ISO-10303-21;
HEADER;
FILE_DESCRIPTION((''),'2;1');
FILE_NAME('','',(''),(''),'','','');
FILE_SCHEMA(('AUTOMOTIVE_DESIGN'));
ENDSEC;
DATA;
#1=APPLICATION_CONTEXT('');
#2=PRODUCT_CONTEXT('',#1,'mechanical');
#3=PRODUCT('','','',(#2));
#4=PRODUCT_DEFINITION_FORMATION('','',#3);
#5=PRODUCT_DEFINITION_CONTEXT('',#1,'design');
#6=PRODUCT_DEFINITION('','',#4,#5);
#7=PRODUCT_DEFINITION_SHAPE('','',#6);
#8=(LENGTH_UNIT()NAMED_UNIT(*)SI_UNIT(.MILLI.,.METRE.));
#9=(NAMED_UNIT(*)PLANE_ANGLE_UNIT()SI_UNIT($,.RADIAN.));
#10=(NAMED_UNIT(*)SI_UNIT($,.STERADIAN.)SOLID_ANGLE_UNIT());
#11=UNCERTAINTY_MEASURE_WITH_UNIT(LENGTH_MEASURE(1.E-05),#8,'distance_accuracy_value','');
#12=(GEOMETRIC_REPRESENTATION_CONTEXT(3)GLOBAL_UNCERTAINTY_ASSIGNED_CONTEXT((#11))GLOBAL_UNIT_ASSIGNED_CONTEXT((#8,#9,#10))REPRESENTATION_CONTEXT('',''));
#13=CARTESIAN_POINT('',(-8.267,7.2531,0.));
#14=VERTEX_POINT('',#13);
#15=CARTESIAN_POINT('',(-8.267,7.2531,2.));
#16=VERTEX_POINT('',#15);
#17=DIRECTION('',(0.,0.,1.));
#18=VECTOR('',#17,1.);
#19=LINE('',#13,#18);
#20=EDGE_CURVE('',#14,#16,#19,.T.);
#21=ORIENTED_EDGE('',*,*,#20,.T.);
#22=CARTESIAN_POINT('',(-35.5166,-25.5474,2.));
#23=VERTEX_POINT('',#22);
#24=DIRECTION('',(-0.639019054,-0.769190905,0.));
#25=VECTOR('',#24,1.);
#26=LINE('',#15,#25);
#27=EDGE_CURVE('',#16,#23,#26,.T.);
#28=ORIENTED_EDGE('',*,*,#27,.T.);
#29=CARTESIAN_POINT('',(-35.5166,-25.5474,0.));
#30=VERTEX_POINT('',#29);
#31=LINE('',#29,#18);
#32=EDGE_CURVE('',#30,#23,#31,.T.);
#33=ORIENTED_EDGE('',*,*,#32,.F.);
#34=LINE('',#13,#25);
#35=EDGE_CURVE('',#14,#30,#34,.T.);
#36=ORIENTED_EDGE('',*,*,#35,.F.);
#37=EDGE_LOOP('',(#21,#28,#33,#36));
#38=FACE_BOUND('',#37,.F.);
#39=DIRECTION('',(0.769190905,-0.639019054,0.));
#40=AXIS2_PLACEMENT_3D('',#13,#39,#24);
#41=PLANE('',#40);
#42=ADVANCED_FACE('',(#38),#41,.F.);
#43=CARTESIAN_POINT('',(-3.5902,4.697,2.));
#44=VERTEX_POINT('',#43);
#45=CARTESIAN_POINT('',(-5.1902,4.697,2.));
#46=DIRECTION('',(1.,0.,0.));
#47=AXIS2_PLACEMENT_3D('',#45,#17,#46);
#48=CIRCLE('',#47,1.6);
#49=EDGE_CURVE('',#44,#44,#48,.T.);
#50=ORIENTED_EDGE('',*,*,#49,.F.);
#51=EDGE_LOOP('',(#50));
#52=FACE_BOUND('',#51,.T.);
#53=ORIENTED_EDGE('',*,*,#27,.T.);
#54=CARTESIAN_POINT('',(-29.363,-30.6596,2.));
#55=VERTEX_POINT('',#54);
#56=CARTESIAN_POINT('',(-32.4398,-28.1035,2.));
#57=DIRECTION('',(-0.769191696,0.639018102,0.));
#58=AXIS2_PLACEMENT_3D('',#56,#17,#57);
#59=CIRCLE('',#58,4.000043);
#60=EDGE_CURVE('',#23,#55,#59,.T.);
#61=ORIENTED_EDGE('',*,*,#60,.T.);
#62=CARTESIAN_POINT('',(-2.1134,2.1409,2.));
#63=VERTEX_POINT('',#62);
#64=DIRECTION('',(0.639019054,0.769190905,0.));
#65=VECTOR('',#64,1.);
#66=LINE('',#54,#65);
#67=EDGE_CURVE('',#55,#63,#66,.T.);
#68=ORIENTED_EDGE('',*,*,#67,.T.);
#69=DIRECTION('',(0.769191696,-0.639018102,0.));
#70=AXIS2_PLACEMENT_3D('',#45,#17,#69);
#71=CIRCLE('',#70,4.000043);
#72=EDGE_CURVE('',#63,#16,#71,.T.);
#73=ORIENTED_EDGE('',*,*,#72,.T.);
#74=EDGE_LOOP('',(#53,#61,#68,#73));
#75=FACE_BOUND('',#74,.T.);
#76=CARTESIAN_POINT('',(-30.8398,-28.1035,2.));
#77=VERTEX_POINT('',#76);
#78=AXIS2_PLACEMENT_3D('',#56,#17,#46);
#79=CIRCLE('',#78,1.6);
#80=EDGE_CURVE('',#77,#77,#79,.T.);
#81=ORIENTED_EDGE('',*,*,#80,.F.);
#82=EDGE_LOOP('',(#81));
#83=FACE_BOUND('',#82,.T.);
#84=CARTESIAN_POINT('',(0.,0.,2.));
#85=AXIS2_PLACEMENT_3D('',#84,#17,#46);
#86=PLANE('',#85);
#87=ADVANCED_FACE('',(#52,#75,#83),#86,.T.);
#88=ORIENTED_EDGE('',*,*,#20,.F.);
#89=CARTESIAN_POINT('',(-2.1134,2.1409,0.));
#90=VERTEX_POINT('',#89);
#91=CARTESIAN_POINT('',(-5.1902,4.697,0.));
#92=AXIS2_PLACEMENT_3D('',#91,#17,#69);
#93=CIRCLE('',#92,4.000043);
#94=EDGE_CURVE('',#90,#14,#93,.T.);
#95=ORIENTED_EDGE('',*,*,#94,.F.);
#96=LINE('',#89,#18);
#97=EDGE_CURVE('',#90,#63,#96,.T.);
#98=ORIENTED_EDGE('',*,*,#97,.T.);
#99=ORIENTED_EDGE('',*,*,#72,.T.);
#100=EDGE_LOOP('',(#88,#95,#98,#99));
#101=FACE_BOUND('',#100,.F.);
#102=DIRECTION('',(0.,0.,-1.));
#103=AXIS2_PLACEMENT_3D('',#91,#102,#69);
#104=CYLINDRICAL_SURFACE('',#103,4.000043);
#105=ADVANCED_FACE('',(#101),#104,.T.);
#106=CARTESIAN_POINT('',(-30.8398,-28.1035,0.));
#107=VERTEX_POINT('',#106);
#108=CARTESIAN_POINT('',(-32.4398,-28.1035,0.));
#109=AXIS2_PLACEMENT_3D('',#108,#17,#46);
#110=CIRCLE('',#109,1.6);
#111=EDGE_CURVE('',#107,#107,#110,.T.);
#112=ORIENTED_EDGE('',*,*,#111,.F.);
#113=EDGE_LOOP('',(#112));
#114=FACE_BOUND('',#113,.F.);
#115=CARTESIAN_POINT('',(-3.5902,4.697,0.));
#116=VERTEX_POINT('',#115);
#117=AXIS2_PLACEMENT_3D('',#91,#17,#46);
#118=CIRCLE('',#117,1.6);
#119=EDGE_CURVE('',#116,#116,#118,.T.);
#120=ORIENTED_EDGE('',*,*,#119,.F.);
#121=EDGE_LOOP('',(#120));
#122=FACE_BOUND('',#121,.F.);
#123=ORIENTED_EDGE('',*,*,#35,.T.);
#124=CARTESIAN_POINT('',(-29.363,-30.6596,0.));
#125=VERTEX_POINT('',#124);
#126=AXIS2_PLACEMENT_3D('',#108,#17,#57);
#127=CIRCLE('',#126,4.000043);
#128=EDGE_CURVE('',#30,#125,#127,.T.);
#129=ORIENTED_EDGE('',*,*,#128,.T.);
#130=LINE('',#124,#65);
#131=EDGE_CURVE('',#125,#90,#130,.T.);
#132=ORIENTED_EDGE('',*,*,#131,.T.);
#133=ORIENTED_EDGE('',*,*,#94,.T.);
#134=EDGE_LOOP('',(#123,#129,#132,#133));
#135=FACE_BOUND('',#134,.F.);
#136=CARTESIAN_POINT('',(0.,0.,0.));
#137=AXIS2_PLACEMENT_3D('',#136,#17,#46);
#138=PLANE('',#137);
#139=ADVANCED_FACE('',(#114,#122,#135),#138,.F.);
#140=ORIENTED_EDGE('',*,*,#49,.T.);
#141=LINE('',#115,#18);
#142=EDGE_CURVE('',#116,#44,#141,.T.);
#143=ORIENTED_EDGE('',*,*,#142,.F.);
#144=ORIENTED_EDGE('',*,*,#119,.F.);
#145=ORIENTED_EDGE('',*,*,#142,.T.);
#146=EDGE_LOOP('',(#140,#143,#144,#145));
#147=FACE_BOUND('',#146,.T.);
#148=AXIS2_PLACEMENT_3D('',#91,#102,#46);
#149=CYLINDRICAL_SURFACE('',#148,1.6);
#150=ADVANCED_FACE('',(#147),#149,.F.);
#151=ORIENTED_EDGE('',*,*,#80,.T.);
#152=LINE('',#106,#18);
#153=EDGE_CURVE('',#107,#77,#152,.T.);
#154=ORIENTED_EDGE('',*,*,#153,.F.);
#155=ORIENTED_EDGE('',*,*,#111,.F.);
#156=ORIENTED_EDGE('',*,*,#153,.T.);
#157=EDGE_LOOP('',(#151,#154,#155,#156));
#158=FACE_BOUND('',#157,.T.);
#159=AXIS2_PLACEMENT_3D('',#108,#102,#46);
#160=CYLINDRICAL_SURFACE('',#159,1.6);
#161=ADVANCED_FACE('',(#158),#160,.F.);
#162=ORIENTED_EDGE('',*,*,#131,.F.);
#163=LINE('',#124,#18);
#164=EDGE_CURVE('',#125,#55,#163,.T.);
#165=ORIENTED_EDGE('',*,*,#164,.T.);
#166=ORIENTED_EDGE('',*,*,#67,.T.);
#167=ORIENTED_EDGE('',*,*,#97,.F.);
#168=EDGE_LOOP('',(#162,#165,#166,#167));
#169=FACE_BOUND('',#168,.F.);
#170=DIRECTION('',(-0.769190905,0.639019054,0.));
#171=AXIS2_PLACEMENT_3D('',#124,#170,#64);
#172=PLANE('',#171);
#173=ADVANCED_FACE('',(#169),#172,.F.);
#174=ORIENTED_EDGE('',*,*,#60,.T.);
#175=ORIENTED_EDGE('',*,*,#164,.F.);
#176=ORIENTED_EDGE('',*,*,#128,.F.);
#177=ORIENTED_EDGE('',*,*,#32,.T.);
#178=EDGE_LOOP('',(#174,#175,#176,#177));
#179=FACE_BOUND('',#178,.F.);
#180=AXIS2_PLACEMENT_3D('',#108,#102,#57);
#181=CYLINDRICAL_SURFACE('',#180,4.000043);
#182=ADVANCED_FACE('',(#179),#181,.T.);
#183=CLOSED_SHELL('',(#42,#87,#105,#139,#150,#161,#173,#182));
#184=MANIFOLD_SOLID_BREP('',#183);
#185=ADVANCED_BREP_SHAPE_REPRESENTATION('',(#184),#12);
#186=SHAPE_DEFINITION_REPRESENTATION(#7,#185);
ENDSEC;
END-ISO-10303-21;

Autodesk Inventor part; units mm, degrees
ref_plane "YZ Plane" through (0, 0, 0) normal (1, 0, 0) x (0, 1, 0)
ref_plane "XZ Plane" through (0, 0, 0) normal (0, 1, 0) x (-1, 0, 0)
ref_plane "XY Plane" through (0, 0, 0) normal (0, 0, 1) x (1, 0, 0)
sketch "Sketch1" plane through (0, 0, 0) normal (0, 0, 1) x (1, 0, 0)
  circle A0 centre (-5.1902, 4.697) radius 1.6 projected
  circle A1 centre (-32.4398, -28.1035) radius 1.6 projected
  line L0 (-32.4398, -28.1035) -> (-5.1902, 4.697) construction
  line L1 (-29.363, -30.6596) -> (-2.1134, 2.1409)
  line L2 (-8.267, 7.2531) -> (-35.5166, -25.5474)
  arc A2 (-35.5166, -25.5474) -> (-29.363, -30.6596) centre (-32.4398, -28.1035) ccw
  arc A3 (-2.1134, 2.1409) -> (-8.267, 7.2531) centre (-5.1902, 4.697) ccw
  point P0 (0, 0)
  point P1 (-18.815, -11.7033)
  dimension "d0" = 4
extrude "Extrusion1" add sketch "Sketch1" along normal blind 2
properties part number "linkage-arm"
